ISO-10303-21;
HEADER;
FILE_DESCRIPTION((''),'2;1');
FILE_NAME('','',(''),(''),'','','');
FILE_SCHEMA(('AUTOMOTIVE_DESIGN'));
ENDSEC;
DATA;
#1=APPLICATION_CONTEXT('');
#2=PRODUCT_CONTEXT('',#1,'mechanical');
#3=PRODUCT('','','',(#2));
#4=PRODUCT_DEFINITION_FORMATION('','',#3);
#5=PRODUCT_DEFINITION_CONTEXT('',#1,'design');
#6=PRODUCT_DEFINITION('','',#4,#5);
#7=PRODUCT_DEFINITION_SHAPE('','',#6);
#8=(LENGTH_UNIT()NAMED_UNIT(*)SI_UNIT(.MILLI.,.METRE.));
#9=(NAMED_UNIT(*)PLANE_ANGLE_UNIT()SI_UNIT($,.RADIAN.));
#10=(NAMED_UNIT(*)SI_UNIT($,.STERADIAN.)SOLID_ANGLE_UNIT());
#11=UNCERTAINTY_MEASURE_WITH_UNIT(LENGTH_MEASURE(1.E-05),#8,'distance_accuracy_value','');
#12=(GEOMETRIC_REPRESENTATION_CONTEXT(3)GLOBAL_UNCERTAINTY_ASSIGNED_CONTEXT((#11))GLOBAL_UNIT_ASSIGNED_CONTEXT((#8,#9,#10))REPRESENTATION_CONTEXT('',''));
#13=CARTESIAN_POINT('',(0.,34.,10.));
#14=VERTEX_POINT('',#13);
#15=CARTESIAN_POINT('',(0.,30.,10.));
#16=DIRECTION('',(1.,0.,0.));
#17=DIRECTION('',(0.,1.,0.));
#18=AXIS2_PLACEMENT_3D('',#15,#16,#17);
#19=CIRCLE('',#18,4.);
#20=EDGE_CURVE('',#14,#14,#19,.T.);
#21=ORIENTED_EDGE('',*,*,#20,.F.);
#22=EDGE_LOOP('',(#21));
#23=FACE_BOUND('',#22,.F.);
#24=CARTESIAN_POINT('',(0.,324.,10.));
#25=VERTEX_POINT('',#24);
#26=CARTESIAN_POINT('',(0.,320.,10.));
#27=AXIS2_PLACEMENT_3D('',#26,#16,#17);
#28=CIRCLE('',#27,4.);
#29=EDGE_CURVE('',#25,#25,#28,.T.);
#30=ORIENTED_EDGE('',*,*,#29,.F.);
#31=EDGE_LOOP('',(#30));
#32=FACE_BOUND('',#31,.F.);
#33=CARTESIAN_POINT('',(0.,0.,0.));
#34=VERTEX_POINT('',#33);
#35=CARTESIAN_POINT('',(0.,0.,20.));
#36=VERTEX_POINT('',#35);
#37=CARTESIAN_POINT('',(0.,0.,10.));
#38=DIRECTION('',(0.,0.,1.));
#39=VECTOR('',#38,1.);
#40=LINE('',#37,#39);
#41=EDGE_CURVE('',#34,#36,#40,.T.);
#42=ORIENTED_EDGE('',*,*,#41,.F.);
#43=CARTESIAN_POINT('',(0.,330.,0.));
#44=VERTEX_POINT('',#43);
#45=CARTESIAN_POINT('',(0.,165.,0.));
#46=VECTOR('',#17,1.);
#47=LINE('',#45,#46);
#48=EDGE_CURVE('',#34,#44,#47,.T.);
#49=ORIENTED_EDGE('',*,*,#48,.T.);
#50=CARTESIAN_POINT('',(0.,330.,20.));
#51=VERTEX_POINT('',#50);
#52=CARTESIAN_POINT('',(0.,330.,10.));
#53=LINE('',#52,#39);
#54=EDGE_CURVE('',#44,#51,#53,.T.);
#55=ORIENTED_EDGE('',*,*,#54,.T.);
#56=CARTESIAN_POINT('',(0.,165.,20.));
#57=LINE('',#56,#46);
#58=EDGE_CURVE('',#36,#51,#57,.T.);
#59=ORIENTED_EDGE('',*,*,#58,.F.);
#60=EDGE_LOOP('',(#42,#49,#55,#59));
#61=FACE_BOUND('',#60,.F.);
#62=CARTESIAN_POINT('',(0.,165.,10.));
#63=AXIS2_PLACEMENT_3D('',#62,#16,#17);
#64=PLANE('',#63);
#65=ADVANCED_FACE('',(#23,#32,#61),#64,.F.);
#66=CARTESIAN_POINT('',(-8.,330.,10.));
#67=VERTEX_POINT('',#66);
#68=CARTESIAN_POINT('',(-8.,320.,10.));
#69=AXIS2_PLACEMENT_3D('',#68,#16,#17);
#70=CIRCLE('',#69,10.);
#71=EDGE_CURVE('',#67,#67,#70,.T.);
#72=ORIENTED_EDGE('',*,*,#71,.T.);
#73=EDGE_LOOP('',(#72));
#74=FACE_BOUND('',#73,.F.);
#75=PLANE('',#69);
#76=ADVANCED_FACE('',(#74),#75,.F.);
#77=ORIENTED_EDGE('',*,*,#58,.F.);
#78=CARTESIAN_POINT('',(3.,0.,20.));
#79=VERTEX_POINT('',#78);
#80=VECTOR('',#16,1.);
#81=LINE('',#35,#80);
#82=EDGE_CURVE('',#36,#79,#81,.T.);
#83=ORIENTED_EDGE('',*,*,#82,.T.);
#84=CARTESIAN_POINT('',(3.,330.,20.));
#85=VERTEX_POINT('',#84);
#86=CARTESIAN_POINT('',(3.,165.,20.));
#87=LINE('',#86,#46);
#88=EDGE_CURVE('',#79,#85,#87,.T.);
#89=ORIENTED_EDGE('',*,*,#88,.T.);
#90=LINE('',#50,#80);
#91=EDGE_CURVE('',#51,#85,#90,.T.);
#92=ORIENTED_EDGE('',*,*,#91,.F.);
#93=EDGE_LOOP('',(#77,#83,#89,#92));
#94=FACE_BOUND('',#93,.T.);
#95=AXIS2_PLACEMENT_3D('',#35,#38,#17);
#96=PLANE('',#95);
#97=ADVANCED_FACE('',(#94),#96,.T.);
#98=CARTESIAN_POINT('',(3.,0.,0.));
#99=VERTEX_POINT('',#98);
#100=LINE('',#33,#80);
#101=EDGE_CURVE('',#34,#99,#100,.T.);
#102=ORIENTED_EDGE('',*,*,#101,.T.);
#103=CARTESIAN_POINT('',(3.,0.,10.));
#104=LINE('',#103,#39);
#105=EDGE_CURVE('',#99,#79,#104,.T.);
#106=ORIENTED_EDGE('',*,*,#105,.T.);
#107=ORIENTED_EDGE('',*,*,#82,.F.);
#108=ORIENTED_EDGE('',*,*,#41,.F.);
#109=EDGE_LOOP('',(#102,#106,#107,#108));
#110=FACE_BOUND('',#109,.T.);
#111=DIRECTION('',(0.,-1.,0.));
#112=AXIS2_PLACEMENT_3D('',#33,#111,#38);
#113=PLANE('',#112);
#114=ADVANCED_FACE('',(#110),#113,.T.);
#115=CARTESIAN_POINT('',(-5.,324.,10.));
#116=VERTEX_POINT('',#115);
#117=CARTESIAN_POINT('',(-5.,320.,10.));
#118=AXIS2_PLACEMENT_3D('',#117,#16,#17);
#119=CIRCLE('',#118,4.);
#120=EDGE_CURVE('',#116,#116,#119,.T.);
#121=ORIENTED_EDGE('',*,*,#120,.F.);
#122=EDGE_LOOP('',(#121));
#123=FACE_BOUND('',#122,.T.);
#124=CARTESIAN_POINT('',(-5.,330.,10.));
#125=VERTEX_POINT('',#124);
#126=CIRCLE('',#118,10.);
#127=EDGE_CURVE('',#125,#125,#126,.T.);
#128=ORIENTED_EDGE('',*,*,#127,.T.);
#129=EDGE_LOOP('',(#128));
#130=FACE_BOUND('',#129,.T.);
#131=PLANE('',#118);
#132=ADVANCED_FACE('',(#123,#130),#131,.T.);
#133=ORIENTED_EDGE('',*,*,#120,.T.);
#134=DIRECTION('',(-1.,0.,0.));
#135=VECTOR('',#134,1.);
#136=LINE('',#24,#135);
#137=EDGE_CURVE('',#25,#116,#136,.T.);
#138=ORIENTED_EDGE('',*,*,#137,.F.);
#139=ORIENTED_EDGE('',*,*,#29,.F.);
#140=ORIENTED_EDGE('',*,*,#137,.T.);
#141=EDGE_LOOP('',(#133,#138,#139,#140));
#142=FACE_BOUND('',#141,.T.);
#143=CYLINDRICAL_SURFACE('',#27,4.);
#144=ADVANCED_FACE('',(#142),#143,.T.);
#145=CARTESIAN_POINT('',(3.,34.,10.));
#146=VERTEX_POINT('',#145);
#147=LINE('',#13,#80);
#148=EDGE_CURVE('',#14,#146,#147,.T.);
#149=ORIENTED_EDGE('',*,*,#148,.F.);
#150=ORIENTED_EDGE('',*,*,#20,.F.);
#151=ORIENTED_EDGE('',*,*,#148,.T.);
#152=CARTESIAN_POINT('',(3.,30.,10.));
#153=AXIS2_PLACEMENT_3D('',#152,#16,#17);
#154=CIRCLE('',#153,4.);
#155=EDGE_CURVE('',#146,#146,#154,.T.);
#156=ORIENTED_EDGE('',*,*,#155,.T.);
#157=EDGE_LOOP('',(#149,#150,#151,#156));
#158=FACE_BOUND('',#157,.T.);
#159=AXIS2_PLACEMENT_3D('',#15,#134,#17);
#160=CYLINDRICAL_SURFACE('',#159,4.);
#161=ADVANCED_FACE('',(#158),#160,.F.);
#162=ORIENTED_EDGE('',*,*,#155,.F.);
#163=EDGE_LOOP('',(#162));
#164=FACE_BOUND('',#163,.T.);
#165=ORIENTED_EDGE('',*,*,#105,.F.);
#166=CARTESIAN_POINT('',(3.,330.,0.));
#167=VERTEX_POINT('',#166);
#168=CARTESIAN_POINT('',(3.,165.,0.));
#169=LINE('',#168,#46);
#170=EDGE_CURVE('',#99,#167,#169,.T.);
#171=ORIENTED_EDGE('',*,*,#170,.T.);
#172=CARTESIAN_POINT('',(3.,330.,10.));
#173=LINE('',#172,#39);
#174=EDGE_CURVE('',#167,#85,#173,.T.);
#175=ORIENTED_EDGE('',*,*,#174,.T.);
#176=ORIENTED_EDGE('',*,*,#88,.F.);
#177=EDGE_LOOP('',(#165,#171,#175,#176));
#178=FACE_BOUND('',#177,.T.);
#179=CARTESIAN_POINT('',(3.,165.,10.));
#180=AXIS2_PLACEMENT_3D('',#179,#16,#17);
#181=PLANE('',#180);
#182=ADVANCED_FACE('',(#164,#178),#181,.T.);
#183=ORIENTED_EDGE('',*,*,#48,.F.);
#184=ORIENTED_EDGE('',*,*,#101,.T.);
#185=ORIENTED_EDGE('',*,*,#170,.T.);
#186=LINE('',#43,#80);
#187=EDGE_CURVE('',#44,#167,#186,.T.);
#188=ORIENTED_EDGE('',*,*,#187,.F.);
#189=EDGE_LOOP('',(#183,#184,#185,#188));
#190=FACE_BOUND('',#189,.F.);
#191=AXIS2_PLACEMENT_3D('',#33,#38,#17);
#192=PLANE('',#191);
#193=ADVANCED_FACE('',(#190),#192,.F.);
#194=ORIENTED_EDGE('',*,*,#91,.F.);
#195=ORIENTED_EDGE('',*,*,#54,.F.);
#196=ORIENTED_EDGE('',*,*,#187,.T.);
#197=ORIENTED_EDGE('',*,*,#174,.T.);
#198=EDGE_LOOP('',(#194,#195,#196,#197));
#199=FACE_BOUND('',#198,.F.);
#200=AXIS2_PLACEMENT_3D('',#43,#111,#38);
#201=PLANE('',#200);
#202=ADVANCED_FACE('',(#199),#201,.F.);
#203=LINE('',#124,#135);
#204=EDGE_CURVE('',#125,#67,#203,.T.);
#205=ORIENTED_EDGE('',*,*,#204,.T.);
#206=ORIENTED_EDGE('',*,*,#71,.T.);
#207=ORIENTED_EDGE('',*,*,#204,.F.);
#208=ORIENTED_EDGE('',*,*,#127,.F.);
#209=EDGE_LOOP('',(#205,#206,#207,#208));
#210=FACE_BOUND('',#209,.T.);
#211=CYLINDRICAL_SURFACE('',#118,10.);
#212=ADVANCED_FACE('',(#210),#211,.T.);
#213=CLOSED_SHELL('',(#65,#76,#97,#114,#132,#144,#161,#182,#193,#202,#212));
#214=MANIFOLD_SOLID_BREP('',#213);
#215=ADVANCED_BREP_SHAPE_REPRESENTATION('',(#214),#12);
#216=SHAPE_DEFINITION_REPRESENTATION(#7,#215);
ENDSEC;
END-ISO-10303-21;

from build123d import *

# Parameters (mm, degrees)
F0_W     = 330
F0_H     = 20
F0_R     = 4
F1_DEPTH = 3
F2_DEPTH = 5
F4_R     = 10
F5_DEPTH = 3


with BuildPart() as f1:
    # F0 (on Right) → F1 (new body)
    with BuildSketch(Plane.YZ):
        with Locations((165, 10)):
            Rectangle(F0_W, F0_H)
        with Locations((30, 10)):
            Circle(F0_R, mode=Mode.SUBTRACT)
        with Locations((320, 10)):
            Circle(F0_R, mode=Mode.SUBTRACT)
        with Locations((320, 10)):
            Circle(F0_R)
    extrude(amount=F1_DEPTH)

    # F0 (on Right) → F2 (join)
    with BuildSketch(Plane.YZ):
        with Locations((320, 10)):
            Circle(F0_R)
    extrude(amount=-F2_DEPTH)

    # F4 (on offset) → F5 (join)
    with BuildSketch(Plane.YZ.offset(-5)):
        with Locations((320, 10)):
            Circle(F4_R)
    extrude(amount=-F5_DEPTH)


solid = f1.part
